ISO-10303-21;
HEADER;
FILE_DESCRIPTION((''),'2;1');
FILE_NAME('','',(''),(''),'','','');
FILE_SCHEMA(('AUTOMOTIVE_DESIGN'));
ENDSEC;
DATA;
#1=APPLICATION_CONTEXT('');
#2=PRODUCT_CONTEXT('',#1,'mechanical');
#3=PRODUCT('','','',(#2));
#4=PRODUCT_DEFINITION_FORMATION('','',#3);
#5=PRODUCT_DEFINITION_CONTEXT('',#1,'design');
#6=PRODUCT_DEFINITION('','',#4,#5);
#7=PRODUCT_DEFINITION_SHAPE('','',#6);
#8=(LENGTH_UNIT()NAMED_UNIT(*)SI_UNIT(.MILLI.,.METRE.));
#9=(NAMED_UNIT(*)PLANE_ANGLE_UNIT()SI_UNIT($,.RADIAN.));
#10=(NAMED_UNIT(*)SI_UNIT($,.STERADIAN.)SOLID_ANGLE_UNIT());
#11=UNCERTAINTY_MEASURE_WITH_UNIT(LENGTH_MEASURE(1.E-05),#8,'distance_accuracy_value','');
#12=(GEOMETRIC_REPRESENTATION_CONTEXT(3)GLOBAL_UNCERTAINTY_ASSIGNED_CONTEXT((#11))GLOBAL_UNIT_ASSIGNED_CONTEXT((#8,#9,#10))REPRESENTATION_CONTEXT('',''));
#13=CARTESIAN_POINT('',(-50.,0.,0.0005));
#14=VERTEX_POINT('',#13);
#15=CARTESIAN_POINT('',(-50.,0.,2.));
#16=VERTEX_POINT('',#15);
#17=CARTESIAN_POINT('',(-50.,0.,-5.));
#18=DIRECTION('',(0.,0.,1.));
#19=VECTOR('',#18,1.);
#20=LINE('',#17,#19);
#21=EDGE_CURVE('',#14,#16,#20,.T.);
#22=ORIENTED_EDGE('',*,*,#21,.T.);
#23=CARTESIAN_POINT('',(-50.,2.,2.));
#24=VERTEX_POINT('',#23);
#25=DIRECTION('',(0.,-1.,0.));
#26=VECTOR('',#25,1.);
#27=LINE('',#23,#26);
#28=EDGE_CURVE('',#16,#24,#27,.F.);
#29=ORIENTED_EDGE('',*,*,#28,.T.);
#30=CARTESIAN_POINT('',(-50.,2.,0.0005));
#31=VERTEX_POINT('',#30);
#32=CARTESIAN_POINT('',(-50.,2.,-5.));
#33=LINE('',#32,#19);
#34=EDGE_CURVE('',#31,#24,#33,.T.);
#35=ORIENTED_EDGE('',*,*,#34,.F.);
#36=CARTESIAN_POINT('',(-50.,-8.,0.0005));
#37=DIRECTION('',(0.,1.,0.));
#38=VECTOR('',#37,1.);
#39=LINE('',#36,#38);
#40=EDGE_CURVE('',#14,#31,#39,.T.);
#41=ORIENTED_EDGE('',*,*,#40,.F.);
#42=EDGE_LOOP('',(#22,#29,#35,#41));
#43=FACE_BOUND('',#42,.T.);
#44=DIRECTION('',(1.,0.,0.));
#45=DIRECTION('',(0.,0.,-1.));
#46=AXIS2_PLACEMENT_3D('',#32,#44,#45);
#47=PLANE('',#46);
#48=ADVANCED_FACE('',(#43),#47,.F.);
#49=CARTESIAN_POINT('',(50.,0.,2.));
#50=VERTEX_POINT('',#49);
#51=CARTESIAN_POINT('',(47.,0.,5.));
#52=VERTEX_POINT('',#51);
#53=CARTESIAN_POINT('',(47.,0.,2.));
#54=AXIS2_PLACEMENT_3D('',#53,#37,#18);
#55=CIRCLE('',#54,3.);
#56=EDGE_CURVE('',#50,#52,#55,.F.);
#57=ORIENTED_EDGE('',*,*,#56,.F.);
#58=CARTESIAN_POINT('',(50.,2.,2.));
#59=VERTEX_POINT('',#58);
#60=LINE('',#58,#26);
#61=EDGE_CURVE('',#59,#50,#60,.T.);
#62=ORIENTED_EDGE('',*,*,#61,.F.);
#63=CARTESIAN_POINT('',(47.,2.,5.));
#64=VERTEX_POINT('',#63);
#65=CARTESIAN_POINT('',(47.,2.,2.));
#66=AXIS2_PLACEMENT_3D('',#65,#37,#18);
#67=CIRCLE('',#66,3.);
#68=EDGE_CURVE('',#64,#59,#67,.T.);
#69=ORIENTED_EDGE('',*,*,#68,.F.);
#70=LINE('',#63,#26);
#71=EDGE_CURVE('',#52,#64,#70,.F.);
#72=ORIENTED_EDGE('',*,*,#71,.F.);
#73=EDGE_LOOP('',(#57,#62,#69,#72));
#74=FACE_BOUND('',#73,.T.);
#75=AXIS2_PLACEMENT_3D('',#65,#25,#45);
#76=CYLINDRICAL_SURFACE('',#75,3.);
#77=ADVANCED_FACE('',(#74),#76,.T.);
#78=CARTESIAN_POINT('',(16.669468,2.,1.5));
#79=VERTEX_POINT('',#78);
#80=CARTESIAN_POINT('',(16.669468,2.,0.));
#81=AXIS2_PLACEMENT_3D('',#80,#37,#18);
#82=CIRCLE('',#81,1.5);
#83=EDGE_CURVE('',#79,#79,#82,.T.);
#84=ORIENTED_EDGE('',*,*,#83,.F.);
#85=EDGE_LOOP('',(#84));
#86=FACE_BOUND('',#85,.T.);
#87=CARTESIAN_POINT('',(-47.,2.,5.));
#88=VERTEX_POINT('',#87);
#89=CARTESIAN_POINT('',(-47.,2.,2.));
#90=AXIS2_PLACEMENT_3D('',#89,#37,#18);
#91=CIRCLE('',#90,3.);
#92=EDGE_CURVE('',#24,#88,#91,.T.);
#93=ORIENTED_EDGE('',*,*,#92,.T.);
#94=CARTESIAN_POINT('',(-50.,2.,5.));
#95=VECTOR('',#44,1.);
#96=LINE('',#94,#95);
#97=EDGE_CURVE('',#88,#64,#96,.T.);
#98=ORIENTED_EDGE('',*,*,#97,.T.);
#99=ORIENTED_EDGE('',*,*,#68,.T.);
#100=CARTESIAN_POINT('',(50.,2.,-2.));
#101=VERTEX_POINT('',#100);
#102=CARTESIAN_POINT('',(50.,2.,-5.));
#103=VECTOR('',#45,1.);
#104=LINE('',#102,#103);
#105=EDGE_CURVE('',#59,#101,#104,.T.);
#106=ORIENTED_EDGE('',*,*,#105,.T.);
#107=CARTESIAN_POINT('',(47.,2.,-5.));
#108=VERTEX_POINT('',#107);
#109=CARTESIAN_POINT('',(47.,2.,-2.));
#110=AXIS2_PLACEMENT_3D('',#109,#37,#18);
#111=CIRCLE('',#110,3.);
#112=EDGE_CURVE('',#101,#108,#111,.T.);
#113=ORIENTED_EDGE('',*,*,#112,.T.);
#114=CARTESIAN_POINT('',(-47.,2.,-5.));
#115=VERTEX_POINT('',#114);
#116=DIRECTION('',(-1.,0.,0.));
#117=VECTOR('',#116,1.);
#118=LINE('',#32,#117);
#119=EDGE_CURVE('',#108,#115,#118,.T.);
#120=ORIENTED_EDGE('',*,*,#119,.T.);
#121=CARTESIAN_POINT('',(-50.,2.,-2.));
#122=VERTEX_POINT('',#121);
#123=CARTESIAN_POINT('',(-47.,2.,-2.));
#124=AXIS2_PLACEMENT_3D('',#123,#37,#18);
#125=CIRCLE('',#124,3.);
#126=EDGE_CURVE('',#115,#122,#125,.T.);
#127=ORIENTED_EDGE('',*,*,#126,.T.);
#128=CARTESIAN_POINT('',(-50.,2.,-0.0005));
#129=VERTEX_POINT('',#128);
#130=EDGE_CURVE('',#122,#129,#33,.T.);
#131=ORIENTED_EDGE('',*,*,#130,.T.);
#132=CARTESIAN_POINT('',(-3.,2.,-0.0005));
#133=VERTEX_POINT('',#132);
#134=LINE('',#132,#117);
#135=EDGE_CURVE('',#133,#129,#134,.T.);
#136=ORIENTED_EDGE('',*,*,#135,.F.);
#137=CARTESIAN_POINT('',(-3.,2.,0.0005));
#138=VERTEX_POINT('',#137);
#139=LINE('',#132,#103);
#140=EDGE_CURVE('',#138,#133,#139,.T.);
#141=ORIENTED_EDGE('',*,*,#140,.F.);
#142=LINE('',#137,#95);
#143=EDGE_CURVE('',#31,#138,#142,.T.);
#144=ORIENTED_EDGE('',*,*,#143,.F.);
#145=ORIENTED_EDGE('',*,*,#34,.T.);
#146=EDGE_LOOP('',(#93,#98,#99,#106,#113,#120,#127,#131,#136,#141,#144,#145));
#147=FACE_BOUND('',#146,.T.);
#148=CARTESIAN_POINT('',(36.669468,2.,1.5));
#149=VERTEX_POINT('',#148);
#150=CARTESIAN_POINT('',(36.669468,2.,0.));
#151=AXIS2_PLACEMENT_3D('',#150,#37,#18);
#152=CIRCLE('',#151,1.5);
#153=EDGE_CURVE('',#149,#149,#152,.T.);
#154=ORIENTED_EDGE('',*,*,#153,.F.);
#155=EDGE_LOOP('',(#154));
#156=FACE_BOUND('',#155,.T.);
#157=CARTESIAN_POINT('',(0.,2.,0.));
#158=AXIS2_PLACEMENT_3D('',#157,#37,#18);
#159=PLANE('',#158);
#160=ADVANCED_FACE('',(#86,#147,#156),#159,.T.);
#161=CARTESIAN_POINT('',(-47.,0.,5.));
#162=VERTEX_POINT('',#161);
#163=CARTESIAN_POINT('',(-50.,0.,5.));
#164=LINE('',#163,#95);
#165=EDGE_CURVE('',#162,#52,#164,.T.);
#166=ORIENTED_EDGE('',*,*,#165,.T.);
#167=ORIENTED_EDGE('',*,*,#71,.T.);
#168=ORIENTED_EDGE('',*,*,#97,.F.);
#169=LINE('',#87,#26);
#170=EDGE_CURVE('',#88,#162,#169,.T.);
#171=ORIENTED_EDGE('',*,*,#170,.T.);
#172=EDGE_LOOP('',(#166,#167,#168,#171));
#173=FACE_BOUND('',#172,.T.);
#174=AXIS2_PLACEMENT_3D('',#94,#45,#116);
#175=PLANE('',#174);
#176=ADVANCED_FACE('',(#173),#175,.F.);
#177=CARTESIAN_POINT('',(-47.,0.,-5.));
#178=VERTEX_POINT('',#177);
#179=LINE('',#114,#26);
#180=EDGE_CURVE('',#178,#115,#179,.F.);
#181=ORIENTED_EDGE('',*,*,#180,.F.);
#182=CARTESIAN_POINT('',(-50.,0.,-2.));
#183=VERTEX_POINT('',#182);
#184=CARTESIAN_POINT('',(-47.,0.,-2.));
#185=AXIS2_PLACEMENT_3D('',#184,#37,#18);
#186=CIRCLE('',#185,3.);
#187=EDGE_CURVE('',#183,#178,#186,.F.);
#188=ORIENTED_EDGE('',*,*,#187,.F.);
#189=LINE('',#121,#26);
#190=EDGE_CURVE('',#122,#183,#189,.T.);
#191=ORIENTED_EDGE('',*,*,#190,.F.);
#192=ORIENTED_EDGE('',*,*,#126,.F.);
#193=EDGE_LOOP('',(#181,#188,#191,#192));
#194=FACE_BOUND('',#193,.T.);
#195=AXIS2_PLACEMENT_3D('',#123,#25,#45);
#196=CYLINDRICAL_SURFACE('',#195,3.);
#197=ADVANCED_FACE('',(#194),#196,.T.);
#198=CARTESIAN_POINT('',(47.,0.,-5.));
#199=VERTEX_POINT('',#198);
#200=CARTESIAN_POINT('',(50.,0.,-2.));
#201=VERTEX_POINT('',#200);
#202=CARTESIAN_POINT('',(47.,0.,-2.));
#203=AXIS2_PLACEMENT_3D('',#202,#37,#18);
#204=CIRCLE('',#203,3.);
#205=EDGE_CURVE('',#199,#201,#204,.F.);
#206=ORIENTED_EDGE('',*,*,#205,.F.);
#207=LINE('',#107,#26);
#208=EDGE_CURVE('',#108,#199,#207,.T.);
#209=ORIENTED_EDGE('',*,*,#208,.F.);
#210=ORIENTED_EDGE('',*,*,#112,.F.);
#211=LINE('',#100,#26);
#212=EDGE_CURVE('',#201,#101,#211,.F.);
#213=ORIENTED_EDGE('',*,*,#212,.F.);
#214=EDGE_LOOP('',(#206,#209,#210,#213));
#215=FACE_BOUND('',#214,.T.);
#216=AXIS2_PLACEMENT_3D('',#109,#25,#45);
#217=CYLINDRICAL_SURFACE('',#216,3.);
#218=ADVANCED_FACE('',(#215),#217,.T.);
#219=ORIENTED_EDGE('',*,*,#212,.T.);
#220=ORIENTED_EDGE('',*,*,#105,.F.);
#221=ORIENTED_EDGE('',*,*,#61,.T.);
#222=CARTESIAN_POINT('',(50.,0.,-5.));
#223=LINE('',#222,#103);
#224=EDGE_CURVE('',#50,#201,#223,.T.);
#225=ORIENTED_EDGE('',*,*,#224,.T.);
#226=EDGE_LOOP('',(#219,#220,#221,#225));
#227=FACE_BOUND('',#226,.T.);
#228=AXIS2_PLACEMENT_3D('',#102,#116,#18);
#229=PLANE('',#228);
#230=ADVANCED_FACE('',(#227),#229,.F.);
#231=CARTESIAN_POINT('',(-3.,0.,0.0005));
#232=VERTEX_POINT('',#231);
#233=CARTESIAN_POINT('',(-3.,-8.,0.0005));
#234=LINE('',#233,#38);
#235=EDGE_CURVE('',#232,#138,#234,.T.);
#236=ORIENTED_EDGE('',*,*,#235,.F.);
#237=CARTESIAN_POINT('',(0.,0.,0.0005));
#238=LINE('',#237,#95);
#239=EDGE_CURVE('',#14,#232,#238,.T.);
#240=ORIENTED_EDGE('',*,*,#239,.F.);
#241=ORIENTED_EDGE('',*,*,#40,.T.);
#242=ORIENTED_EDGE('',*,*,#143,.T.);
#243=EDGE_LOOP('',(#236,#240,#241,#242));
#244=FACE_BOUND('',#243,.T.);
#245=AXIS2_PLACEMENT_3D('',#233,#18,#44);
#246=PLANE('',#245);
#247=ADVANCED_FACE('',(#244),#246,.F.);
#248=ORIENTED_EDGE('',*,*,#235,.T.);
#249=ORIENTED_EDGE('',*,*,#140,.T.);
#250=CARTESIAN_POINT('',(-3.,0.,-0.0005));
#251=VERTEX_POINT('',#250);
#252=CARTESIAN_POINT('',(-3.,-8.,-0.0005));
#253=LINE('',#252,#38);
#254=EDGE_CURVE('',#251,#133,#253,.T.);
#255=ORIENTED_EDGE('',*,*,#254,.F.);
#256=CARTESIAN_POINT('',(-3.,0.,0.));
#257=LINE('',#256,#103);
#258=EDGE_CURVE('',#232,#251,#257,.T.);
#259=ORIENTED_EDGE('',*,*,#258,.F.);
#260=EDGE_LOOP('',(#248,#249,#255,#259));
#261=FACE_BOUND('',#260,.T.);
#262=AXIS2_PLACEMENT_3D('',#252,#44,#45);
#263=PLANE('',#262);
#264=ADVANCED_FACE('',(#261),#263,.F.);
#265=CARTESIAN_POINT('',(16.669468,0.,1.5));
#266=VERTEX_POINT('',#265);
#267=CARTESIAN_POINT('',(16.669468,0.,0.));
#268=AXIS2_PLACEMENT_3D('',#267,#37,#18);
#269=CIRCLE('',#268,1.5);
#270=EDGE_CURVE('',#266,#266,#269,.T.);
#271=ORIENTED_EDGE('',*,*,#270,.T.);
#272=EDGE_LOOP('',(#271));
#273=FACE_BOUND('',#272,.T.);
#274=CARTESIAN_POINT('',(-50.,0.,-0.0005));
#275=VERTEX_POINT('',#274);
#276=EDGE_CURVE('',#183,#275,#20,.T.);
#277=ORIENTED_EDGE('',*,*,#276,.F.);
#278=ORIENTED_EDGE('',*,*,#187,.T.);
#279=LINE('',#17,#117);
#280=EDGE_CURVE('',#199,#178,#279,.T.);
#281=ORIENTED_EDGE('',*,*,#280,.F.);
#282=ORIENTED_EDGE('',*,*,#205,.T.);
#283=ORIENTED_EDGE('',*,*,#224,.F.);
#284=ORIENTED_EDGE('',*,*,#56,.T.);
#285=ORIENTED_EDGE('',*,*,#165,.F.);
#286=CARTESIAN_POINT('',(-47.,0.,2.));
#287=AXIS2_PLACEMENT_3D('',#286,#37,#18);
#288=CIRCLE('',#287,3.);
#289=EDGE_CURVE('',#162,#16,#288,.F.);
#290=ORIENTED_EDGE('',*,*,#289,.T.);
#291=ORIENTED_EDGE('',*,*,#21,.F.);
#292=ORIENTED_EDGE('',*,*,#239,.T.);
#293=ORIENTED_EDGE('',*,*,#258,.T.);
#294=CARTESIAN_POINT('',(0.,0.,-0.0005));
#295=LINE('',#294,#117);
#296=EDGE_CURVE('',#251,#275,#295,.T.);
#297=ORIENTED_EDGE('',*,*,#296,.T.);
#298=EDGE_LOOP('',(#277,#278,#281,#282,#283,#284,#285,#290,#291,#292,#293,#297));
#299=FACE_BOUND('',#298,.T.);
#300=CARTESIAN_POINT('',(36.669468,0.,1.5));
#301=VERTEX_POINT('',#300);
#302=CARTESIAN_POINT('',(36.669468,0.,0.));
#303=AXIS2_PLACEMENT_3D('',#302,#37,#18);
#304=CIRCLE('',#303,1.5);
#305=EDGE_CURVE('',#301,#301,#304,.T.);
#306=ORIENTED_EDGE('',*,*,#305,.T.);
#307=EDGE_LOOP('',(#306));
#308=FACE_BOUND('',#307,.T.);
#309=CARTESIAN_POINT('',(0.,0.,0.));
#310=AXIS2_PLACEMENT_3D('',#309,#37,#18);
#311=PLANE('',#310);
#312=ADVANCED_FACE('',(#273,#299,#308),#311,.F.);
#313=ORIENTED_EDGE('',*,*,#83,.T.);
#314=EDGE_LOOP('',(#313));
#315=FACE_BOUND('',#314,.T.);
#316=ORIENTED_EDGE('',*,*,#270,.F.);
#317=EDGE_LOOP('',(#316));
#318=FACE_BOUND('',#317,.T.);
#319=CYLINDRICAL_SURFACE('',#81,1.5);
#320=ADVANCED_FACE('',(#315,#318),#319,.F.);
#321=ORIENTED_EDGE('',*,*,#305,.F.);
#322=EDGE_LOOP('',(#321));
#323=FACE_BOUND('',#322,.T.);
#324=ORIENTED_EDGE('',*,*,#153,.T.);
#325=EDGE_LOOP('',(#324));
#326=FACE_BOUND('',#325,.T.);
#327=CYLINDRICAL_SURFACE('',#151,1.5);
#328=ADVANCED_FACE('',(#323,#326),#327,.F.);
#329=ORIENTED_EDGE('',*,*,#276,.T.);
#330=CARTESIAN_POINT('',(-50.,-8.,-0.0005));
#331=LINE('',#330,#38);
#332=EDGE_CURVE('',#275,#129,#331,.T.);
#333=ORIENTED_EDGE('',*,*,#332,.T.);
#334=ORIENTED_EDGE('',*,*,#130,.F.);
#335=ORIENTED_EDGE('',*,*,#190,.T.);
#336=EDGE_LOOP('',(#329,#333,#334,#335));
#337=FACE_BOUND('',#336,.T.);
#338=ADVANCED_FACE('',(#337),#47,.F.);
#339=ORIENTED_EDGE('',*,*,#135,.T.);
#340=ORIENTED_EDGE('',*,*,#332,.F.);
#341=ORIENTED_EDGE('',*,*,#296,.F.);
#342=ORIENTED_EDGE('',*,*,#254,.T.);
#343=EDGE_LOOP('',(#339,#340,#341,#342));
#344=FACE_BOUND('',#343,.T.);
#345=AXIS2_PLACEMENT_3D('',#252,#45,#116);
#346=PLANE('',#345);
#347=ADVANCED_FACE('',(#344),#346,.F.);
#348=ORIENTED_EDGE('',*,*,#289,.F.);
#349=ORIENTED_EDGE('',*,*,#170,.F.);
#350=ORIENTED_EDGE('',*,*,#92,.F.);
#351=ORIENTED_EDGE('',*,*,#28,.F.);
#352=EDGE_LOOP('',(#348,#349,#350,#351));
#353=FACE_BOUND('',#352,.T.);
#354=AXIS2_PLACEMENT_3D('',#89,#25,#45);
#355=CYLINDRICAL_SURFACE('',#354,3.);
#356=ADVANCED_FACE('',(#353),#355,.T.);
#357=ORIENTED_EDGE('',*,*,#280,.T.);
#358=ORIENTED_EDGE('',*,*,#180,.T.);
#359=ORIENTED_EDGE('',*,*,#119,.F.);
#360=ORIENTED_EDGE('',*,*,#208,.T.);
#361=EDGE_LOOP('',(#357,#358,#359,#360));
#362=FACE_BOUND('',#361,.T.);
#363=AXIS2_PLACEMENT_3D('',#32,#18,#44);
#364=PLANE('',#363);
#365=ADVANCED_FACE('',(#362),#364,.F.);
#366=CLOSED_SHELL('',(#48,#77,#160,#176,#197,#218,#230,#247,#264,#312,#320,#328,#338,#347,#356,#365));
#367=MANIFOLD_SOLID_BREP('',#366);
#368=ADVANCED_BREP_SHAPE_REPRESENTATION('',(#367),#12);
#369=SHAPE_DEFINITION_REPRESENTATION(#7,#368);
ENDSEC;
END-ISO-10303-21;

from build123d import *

# Parameters (mm, degrees)
SKETCH1_W             = 100
SKETCH1_H             = 10
BOSS_EXTRUDE1_DEPTH   = 2
FILLET1_R             = 3
F_3_0MM_DOWEL_HOLE1_D = 3
SKETCH2_W             = 47
SKETCH2_H             = 0.001
CUT_EXTRUDE1_DEPTH    = 10


with BuildPart() as part:
    # Sketch1 → Boss-Extrude1 (new body)
    with BuildSketch(Plane(origin=(0, 0, 0), x_dir=(1, 0, 0), z_dir=(0, 1, 0))):
        Rectangle(SKETCH1_W, SKETCH1_H)
    extrude(amount=BOSS_EXTRUDE1_DEPTH)

    # Fillet1
    fillet1_edges = [part.edges().sort_by_distance(p)[0] for p in [
        (50, 1, 5),
        (-50, 1, 5),
        (-50, 1, -5),
        (50, 1, -5),
    ]]
    fillet(fillet1_edges, radius=FILLET1_R)

    # Ø3.0mm Dowel Hole1 (through all)
    with Locations(Plane(origin=(0, 2, 0), x_dir=(1, 0, 0), z_dir=(0, 1, 0))):
        with Locations((36.669467955, 0), (16.669467955, 0)):
            Hole(F_3_0MM_DOWEL_HOLE1_D / 2)

    # Sketch2 → Cut-Extrude1 (cut)
    with BuildSketch(Plane(origin=(0, 2, 0), x_dir=(1, 0, 0), z_dir=(0, 1, 0))):
        with Locations((-26.5, 0)):
            Rectangle(SKETCH2_W, SKETCH2_H)
    extrude(amount=-CUT_EXTRUDE1_DEPTH, mode=Mode.SUBTRACT)


solid = part.part
